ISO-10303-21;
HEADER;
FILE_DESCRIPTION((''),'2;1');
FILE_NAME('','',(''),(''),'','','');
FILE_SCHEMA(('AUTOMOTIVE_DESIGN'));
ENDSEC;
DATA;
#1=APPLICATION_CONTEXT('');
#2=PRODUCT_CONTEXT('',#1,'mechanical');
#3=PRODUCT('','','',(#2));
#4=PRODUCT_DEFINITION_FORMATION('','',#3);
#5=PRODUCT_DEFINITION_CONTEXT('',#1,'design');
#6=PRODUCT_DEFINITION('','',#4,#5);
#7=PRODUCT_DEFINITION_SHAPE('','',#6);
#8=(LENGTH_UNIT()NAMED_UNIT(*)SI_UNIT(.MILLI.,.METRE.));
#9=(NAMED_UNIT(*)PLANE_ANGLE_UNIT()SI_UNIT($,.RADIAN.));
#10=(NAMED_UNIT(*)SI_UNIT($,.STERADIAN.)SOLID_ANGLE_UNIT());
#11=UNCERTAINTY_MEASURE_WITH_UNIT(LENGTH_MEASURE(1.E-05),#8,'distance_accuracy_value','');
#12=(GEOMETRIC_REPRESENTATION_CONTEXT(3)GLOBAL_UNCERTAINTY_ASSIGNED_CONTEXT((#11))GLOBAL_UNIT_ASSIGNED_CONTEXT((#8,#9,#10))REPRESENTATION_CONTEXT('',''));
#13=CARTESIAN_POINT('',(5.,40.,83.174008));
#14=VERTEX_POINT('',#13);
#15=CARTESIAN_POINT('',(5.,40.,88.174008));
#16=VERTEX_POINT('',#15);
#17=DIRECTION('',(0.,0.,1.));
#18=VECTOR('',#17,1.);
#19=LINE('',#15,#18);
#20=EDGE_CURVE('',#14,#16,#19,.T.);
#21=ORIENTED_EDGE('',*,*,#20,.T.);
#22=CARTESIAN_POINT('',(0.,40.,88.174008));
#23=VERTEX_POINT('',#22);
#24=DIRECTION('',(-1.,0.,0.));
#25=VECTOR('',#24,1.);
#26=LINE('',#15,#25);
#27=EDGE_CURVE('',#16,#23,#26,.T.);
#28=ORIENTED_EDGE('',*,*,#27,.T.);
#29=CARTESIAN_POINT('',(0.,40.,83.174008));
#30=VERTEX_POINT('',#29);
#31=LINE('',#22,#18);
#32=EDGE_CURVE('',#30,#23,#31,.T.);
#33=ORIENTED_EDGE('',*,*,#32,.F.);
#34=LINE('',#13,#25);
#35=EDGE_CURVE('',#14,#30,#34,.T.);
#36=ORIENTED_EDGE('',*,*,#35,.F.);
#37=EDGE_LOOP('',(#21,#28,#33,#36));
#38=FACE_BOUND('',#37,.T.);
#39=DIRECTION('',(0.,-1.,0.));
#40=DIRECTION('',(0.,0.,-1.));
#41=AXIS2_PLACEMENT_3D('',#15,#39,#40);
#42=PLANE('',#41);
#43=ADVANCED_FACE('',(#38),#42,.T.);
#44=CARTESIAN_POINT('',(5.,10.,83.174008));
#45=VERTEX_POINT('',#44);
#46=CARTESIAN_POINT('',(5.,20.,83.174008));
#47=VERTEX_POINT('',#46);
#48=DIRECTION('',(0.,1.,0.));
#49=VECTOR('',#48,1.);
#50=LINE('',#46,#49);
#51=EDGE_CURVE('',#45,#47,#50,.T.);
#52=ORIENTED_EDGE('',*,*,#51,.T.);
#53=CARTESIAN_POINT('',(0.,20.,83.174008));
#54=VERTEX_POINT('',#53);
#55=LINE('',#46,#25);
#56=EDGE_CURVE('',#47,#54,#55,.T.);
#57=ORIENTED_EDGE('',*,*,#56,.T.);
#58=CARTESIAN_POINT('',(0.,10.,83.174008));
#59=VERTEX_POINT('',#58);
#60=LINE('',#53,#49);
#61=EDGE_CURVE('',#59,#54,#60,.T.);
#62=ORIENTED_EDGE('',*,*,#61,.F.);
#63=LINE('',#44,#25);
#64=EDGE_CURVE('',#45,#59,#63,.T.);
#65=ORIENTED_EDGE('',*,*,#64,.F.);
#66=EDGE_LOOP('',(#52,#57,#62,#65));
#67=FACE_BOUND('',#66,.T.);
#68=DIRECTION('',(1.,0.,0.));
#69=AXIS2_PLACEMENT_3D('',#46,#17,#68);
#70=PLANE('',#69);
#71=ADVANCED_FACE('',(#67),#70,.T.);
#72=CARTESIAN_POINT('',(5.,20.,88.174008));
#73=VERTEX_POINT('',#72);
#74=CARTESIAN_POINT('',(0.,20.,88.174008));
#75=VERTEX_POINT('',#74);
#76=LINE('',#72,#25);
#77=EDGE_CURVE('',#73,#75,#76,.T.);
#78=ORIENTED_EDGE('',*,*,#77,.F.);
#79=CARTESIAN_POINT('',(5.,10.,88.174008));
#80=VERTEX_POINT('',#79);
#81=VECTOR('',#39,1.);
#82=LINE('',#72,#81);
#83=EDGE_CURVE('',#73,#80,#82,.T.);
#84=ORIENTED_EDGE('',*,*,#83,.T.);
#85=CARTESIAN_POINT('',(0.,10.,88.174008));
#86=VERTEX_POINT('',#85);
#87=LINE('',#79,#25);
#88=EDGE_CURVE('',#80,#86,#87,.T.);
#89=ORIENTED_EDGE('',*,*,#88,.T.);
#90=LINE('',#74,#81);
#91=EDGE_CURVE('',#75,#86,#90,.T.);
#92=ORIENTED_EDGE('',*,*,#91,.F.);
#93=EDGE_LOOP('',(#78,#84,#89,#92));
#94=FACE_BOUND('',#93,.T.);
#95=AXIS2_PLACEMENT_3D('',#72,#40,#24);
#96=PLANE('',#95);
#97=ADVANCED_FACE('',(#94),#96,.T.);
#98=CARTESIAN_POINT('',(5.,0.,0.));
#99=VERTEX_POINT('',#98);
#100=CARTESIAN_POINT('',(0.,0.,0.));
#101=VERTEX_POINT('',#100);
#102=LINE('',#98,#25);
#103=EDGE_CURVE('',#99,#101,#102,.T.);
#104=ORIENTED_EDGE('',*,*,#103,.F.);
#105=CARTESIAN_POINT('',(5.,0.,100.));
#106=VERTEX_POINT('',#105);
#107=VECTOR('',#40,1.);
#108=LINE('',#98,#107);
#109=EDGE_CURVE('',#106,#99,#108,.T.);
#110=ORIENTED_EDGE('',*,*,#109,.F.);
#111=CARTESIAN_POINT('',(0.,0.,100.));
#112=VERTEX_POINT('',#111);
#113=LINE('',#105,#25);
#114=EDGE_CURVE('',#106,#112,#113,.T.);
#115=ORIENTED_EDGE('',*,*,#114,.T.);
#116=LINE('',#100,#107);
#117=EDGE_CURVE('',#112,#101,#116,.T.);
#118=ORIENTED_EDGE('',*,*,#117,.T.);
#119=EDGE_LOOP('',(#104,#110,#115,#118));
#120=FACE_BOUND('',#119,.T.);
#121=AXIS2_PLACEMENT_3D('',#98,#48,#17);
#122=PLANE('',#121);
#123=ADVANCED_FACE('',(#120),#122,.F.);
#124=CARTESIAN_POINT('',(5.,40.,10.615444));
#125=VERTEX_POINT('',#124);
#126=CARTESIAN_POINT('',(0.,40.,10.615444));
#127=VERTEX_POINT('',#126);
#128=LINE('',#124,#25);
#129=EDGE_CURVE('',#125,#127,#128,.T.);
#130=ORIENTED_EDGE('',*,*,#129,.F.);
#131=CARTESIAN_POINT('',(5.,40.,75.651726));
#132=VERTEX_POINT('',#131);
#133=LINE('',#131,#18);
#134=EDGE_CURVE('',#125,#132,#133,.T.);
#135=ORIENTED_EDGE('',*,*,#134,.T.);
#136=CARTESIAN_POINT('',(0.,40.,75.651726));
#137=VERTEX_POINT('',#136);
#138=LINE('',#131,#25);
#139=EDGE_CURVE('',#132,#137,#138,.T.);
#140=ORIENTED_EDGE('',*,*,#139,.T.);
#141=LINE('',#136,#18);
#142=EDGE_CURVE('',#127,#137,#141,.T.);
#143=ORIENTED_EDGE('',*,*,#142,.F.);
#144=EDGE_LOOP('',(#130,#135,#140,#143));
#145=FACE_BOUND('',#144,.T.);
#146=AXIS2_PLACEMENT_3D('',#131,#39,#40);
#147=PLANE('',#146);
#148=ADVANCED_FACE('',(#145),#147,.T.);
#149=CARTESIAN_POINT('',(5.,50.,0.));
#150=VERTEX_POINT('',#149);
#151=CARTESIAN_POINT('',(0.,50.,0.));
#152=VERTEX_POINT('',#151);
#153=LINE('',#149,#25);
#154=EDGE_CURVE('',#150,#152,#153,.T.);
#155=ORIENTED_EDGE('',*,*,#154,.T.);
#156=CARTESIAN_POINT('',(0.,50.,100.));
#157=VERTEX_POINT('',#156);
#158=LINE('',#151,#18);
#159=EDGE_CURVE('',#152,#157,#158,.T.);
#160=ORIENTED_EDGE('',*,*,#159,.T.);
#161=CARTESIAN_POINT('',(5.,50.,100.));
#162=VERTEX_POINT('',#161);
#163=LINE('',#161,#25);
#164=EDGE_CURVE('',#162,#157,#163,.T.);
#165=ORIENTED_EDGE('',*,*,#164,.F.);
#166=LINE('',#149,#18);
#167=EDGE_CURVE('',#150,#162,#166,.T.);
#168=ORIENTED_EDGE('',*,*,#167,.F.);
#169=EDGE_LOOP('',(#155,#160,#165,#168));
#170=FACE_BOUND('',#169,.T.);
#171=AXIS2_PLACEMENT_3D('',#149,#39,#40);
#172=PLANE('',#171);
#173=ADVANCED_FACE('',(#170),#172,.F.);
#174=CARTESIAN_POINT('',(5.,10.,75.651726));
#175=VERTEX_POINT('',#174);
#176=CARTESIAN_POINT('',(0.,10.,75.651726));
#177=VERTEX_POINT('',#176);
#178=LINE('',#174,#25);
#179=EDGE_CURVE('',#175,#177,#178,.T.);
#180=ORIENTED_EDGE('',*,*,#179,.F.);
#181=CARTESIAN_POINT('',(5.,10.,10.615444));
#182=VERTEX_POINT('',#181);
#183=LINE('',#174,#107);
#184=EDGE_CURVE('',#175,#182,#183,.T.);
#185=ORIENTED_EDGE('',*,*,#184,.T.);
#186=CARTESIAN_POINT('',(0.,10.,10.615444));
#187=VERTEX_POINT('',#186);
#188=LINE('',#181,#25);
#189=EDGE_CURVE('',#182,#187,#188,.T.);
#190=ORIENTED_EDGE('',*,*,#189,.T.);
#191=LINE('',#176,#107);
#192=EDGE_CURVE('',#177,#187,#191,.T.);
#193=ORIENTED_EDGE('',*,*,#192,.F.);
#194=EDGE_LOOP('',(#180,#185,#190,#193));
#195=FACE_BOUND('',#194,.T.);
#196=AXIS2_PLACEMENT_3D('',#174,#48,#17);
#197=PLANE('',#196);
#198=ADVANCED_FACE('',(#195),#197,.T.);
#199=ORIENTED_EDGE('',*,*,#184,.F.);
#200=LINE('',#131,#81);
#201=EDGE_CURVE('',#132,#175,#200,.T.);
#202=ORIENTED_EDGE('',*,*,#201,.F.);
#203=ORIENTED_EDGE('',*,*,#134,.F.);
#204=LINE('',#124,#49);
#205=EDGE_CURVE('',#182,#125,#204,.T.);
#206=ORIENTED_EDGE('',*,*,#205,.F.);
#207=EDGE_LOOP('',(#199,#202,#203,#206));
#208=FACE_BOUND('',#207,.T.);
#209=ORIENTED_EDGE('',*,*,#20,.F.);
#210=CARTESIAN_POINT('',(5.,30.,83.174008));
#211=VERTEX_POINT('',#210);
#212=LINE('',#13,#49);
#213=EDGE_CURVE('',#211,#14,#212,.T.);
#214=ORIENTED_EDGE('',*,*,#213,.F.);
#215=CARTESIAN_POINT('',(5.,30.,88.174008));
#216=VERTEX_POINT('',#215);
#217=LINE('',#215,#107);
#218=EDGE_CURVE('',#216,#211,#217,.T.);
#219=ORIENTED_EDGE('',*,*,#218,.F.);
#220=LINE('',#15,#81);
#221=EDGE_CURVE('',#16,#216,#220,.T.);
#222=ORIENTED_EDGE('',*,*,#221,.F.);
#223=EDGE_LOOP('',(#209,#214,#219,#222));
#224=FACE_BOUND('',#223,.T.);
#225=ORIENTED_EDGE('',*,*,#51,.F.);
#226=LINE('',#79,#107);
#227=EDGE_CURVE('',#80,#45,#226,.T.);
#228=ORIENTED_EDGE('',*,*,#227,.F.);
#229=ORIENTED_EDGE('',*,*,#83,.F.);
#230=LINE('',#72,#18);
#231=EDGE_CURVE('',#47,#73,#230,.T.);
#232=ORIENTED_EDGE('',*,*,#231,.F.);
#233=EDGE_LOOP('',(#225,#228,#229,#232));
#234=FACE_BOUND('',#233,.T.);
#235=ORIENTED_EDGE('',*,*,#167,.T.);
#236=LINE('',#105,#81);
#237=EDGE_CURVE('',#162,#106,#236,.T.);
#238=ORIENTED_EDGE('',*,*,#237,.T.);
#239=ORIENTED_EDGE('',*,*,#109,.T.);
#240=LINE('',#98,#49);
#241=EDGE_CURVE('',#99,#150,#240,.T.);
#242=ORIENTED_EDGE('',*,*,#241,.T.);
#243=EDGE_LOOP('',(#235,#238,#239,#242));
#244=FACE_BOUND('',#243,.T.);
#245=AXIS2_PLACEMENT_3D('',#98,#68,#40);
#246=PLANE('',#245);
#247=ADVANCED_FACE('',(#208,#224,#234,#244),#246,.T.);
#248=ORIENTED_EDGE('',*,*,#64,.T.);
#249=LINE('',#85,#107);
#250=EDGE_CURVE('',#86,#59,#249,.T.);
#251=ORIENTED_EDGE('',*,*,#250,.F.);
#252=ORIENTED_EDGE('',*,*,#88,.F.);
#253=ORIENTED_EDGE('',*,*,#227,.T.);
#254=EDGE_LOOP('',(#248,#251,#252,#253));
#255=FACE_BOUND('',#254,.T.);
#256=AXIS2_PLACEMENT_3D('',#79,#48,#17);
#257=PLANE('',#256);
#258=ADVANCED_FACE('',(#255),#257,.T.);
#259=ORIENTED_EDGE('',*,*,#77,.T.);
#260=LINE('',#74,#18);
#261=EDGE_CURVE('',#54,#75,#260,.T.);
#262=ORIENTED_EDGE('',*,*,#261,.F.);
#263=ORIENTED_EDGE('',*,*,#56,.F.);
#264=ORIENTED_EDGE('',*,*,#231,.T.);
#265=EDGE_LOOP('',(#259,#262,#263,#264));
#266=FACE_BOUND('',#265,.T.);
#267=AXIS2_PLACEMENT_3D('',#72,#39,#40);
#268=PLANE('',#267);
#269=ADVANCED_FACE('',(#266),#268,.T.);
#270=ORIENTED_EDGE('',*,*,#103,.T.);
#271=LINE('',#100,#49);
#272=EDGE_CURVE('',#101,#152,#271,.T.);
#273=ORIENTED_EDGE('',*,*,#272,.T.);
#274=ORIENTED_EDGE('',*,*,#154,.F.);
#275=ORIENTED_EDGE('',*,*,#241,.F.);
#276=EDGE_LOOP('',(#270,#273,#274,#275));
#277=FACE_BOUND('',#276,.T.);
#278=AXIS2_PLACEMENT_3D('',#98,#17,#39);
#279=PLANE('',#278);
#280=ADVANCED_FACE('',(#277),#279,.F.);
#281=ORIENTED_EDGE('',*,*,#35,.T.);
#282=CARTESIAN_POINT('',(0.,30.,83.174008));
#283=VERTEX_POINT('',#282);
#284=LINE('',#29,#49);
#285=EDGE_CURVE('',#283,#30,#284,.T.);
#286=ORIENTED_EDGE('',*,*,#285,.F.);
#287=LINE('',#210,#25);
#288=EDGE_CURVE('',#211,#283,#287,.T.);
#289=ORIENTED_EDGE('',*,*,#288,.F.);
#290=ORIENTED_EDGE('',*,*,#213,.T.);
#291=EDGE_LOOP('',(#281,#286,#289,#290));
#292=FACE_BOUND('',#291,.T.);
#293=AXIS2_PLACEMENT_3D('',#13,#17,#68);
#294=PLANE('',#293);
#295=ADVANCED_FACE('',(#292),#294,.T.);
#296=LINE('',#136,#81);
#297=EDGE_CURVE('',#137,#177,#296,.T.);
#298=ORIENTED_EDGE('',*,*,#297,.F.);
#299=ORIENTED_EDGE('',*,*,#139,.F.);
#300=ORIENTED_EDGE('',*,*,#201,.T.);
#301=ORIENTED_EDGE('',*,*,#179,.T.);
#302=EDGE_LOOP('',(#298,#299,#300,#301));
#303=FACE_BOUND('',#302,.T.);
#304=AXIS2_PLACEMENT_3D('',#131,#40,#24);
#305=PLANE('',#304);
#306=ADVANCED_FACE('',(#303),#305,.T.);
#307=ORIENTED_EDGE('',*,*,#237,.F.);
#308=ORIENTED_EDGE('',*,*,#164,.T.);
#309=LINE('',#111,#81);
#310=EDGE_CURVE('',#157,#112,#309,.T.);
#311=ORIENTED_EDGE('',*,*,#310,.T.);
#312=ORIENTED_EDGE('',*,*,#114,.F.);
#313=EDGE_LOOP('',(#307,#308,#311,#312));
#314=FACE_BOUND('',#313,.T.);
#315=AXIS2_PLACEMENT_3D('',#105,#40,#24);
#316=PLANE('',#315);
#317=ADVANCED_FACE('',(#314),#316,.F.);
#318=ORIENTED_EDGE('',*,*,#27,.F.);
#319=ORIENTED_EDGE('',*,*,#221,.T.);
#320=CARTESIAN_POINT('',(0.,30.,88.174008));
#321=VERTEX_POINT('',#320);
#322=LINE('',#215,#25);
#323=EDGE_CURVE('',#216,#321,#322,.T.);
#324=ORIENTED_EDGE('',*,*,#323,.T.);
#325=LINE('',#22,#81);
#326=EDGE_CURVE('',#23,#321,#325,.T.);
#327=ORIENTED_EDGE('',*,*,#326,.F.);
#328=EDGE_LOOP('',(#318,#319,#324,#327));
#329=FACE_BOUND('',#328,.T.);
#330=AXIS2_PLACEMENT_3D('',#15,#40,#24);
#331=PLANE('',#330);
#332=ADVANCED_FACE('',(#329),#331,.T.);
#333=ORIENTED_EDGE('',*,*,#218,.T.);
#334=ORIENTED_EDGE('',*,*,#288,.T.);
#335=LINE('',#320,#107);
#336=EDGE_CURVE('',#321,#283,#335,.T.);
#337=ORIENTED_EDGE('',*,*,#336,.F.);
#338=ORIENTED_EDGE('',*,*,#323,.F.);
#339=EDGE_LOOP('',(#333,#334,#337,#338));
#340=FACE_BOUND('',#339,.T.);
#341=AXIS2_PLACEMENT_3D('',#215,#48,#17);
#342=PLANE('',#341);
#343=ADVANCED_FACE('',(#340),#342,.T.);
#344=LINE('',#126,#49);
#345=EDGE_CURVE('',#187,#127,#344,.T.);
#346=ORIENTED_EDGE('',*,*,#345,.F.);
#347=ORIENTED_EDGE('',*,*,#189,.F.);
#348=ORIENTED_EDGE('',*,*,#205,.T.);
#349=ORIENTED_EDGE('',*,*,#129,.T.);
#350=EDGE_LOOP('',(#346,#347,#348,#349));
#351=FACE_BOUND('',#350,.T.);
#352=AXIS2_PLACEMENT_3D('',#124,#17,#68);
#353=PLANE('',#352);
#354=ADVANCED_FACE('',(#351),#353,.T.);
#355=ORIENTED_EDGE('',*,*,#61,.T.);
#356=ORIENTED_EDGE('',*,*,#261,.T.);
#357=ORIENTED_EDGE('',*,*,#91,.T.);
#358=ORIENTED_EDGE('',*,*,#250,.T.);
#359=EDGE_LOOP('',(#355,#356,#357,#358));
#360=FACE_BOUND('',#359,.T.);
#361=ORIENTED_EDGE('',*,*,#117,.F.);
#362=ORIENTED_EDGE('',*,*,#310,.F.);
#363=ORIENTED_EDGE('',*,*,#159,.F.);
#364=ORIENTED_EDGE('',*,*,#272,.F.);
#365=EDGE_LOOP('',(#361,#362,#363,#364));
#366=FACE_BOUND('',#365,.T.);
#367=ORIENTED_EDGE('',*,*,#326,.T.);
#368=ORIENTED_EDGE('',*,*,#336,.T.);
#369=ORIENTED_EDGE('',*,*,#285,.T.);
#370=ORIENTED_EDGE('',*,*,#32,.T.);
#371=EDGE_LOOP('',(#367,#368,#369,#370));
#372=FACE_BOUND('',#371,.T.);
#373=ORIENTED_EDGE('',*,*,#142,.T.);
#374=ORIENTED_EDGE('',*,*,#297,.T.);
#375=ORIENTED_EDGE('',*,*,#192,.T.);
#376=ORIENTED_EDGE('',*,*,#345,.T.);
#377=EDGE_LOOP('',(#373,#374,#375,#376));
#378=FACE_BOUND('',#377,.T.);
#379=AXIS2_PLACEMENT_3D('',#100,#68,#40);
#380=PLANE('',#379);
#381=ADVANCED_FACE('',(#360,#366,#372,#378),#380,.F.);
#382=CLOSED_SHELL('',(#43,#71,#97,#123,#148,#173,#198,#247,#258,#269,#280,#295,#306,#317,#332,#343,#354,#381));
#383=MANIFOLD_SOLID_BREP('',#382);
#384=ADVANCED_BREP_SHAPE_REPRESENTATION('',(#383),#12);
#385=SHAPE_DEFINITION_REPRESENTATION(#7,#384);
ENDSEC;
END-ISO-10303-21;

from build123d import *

# Parameters (mm, degrees)
SKETCH1_W           = 100
SKETCH1_H           = 50
SKETCH1_W_2         = 5
SKETCH1_H_2         = 10
SKETCH1_W_3         = 65.036281339
SKETCH1_H_3         = 30
BOSS_EXTRUDE3_DEPTH = 5


with BuildPart() as part:
    # Sketch1 → Boss-Extrude3 (new body)
    with BuildSketch(Plane(origin=(0, 0, 0), x_dir=(0, 0, -1), z_dir=(1, 0, 0))):
        with Locations((-50, 25)):
            Rectangle(SKETCH1_W, SKETCH1_H)
        with Locations((-85.674008316, 35)):
            Rectangle(SKETCH1_W_2, SKETCH1_H_2, mode=Mode.SUBTRACT)
        with Locations((-85.674008316, 15)):
            Rectangle(SKETCH1_W_2, SKETCH1_H_2, mode=Mode.SUBTRACT)
        with Locations((-43.133585004, 25)):
            Rectangle(SKETCH1_W_3, SKETCH1_H_3, mode=Mode.SUBTRACT)
    extrude(amount=BOSS_EXTRUDE3_DEPTH)


solid = part.part
